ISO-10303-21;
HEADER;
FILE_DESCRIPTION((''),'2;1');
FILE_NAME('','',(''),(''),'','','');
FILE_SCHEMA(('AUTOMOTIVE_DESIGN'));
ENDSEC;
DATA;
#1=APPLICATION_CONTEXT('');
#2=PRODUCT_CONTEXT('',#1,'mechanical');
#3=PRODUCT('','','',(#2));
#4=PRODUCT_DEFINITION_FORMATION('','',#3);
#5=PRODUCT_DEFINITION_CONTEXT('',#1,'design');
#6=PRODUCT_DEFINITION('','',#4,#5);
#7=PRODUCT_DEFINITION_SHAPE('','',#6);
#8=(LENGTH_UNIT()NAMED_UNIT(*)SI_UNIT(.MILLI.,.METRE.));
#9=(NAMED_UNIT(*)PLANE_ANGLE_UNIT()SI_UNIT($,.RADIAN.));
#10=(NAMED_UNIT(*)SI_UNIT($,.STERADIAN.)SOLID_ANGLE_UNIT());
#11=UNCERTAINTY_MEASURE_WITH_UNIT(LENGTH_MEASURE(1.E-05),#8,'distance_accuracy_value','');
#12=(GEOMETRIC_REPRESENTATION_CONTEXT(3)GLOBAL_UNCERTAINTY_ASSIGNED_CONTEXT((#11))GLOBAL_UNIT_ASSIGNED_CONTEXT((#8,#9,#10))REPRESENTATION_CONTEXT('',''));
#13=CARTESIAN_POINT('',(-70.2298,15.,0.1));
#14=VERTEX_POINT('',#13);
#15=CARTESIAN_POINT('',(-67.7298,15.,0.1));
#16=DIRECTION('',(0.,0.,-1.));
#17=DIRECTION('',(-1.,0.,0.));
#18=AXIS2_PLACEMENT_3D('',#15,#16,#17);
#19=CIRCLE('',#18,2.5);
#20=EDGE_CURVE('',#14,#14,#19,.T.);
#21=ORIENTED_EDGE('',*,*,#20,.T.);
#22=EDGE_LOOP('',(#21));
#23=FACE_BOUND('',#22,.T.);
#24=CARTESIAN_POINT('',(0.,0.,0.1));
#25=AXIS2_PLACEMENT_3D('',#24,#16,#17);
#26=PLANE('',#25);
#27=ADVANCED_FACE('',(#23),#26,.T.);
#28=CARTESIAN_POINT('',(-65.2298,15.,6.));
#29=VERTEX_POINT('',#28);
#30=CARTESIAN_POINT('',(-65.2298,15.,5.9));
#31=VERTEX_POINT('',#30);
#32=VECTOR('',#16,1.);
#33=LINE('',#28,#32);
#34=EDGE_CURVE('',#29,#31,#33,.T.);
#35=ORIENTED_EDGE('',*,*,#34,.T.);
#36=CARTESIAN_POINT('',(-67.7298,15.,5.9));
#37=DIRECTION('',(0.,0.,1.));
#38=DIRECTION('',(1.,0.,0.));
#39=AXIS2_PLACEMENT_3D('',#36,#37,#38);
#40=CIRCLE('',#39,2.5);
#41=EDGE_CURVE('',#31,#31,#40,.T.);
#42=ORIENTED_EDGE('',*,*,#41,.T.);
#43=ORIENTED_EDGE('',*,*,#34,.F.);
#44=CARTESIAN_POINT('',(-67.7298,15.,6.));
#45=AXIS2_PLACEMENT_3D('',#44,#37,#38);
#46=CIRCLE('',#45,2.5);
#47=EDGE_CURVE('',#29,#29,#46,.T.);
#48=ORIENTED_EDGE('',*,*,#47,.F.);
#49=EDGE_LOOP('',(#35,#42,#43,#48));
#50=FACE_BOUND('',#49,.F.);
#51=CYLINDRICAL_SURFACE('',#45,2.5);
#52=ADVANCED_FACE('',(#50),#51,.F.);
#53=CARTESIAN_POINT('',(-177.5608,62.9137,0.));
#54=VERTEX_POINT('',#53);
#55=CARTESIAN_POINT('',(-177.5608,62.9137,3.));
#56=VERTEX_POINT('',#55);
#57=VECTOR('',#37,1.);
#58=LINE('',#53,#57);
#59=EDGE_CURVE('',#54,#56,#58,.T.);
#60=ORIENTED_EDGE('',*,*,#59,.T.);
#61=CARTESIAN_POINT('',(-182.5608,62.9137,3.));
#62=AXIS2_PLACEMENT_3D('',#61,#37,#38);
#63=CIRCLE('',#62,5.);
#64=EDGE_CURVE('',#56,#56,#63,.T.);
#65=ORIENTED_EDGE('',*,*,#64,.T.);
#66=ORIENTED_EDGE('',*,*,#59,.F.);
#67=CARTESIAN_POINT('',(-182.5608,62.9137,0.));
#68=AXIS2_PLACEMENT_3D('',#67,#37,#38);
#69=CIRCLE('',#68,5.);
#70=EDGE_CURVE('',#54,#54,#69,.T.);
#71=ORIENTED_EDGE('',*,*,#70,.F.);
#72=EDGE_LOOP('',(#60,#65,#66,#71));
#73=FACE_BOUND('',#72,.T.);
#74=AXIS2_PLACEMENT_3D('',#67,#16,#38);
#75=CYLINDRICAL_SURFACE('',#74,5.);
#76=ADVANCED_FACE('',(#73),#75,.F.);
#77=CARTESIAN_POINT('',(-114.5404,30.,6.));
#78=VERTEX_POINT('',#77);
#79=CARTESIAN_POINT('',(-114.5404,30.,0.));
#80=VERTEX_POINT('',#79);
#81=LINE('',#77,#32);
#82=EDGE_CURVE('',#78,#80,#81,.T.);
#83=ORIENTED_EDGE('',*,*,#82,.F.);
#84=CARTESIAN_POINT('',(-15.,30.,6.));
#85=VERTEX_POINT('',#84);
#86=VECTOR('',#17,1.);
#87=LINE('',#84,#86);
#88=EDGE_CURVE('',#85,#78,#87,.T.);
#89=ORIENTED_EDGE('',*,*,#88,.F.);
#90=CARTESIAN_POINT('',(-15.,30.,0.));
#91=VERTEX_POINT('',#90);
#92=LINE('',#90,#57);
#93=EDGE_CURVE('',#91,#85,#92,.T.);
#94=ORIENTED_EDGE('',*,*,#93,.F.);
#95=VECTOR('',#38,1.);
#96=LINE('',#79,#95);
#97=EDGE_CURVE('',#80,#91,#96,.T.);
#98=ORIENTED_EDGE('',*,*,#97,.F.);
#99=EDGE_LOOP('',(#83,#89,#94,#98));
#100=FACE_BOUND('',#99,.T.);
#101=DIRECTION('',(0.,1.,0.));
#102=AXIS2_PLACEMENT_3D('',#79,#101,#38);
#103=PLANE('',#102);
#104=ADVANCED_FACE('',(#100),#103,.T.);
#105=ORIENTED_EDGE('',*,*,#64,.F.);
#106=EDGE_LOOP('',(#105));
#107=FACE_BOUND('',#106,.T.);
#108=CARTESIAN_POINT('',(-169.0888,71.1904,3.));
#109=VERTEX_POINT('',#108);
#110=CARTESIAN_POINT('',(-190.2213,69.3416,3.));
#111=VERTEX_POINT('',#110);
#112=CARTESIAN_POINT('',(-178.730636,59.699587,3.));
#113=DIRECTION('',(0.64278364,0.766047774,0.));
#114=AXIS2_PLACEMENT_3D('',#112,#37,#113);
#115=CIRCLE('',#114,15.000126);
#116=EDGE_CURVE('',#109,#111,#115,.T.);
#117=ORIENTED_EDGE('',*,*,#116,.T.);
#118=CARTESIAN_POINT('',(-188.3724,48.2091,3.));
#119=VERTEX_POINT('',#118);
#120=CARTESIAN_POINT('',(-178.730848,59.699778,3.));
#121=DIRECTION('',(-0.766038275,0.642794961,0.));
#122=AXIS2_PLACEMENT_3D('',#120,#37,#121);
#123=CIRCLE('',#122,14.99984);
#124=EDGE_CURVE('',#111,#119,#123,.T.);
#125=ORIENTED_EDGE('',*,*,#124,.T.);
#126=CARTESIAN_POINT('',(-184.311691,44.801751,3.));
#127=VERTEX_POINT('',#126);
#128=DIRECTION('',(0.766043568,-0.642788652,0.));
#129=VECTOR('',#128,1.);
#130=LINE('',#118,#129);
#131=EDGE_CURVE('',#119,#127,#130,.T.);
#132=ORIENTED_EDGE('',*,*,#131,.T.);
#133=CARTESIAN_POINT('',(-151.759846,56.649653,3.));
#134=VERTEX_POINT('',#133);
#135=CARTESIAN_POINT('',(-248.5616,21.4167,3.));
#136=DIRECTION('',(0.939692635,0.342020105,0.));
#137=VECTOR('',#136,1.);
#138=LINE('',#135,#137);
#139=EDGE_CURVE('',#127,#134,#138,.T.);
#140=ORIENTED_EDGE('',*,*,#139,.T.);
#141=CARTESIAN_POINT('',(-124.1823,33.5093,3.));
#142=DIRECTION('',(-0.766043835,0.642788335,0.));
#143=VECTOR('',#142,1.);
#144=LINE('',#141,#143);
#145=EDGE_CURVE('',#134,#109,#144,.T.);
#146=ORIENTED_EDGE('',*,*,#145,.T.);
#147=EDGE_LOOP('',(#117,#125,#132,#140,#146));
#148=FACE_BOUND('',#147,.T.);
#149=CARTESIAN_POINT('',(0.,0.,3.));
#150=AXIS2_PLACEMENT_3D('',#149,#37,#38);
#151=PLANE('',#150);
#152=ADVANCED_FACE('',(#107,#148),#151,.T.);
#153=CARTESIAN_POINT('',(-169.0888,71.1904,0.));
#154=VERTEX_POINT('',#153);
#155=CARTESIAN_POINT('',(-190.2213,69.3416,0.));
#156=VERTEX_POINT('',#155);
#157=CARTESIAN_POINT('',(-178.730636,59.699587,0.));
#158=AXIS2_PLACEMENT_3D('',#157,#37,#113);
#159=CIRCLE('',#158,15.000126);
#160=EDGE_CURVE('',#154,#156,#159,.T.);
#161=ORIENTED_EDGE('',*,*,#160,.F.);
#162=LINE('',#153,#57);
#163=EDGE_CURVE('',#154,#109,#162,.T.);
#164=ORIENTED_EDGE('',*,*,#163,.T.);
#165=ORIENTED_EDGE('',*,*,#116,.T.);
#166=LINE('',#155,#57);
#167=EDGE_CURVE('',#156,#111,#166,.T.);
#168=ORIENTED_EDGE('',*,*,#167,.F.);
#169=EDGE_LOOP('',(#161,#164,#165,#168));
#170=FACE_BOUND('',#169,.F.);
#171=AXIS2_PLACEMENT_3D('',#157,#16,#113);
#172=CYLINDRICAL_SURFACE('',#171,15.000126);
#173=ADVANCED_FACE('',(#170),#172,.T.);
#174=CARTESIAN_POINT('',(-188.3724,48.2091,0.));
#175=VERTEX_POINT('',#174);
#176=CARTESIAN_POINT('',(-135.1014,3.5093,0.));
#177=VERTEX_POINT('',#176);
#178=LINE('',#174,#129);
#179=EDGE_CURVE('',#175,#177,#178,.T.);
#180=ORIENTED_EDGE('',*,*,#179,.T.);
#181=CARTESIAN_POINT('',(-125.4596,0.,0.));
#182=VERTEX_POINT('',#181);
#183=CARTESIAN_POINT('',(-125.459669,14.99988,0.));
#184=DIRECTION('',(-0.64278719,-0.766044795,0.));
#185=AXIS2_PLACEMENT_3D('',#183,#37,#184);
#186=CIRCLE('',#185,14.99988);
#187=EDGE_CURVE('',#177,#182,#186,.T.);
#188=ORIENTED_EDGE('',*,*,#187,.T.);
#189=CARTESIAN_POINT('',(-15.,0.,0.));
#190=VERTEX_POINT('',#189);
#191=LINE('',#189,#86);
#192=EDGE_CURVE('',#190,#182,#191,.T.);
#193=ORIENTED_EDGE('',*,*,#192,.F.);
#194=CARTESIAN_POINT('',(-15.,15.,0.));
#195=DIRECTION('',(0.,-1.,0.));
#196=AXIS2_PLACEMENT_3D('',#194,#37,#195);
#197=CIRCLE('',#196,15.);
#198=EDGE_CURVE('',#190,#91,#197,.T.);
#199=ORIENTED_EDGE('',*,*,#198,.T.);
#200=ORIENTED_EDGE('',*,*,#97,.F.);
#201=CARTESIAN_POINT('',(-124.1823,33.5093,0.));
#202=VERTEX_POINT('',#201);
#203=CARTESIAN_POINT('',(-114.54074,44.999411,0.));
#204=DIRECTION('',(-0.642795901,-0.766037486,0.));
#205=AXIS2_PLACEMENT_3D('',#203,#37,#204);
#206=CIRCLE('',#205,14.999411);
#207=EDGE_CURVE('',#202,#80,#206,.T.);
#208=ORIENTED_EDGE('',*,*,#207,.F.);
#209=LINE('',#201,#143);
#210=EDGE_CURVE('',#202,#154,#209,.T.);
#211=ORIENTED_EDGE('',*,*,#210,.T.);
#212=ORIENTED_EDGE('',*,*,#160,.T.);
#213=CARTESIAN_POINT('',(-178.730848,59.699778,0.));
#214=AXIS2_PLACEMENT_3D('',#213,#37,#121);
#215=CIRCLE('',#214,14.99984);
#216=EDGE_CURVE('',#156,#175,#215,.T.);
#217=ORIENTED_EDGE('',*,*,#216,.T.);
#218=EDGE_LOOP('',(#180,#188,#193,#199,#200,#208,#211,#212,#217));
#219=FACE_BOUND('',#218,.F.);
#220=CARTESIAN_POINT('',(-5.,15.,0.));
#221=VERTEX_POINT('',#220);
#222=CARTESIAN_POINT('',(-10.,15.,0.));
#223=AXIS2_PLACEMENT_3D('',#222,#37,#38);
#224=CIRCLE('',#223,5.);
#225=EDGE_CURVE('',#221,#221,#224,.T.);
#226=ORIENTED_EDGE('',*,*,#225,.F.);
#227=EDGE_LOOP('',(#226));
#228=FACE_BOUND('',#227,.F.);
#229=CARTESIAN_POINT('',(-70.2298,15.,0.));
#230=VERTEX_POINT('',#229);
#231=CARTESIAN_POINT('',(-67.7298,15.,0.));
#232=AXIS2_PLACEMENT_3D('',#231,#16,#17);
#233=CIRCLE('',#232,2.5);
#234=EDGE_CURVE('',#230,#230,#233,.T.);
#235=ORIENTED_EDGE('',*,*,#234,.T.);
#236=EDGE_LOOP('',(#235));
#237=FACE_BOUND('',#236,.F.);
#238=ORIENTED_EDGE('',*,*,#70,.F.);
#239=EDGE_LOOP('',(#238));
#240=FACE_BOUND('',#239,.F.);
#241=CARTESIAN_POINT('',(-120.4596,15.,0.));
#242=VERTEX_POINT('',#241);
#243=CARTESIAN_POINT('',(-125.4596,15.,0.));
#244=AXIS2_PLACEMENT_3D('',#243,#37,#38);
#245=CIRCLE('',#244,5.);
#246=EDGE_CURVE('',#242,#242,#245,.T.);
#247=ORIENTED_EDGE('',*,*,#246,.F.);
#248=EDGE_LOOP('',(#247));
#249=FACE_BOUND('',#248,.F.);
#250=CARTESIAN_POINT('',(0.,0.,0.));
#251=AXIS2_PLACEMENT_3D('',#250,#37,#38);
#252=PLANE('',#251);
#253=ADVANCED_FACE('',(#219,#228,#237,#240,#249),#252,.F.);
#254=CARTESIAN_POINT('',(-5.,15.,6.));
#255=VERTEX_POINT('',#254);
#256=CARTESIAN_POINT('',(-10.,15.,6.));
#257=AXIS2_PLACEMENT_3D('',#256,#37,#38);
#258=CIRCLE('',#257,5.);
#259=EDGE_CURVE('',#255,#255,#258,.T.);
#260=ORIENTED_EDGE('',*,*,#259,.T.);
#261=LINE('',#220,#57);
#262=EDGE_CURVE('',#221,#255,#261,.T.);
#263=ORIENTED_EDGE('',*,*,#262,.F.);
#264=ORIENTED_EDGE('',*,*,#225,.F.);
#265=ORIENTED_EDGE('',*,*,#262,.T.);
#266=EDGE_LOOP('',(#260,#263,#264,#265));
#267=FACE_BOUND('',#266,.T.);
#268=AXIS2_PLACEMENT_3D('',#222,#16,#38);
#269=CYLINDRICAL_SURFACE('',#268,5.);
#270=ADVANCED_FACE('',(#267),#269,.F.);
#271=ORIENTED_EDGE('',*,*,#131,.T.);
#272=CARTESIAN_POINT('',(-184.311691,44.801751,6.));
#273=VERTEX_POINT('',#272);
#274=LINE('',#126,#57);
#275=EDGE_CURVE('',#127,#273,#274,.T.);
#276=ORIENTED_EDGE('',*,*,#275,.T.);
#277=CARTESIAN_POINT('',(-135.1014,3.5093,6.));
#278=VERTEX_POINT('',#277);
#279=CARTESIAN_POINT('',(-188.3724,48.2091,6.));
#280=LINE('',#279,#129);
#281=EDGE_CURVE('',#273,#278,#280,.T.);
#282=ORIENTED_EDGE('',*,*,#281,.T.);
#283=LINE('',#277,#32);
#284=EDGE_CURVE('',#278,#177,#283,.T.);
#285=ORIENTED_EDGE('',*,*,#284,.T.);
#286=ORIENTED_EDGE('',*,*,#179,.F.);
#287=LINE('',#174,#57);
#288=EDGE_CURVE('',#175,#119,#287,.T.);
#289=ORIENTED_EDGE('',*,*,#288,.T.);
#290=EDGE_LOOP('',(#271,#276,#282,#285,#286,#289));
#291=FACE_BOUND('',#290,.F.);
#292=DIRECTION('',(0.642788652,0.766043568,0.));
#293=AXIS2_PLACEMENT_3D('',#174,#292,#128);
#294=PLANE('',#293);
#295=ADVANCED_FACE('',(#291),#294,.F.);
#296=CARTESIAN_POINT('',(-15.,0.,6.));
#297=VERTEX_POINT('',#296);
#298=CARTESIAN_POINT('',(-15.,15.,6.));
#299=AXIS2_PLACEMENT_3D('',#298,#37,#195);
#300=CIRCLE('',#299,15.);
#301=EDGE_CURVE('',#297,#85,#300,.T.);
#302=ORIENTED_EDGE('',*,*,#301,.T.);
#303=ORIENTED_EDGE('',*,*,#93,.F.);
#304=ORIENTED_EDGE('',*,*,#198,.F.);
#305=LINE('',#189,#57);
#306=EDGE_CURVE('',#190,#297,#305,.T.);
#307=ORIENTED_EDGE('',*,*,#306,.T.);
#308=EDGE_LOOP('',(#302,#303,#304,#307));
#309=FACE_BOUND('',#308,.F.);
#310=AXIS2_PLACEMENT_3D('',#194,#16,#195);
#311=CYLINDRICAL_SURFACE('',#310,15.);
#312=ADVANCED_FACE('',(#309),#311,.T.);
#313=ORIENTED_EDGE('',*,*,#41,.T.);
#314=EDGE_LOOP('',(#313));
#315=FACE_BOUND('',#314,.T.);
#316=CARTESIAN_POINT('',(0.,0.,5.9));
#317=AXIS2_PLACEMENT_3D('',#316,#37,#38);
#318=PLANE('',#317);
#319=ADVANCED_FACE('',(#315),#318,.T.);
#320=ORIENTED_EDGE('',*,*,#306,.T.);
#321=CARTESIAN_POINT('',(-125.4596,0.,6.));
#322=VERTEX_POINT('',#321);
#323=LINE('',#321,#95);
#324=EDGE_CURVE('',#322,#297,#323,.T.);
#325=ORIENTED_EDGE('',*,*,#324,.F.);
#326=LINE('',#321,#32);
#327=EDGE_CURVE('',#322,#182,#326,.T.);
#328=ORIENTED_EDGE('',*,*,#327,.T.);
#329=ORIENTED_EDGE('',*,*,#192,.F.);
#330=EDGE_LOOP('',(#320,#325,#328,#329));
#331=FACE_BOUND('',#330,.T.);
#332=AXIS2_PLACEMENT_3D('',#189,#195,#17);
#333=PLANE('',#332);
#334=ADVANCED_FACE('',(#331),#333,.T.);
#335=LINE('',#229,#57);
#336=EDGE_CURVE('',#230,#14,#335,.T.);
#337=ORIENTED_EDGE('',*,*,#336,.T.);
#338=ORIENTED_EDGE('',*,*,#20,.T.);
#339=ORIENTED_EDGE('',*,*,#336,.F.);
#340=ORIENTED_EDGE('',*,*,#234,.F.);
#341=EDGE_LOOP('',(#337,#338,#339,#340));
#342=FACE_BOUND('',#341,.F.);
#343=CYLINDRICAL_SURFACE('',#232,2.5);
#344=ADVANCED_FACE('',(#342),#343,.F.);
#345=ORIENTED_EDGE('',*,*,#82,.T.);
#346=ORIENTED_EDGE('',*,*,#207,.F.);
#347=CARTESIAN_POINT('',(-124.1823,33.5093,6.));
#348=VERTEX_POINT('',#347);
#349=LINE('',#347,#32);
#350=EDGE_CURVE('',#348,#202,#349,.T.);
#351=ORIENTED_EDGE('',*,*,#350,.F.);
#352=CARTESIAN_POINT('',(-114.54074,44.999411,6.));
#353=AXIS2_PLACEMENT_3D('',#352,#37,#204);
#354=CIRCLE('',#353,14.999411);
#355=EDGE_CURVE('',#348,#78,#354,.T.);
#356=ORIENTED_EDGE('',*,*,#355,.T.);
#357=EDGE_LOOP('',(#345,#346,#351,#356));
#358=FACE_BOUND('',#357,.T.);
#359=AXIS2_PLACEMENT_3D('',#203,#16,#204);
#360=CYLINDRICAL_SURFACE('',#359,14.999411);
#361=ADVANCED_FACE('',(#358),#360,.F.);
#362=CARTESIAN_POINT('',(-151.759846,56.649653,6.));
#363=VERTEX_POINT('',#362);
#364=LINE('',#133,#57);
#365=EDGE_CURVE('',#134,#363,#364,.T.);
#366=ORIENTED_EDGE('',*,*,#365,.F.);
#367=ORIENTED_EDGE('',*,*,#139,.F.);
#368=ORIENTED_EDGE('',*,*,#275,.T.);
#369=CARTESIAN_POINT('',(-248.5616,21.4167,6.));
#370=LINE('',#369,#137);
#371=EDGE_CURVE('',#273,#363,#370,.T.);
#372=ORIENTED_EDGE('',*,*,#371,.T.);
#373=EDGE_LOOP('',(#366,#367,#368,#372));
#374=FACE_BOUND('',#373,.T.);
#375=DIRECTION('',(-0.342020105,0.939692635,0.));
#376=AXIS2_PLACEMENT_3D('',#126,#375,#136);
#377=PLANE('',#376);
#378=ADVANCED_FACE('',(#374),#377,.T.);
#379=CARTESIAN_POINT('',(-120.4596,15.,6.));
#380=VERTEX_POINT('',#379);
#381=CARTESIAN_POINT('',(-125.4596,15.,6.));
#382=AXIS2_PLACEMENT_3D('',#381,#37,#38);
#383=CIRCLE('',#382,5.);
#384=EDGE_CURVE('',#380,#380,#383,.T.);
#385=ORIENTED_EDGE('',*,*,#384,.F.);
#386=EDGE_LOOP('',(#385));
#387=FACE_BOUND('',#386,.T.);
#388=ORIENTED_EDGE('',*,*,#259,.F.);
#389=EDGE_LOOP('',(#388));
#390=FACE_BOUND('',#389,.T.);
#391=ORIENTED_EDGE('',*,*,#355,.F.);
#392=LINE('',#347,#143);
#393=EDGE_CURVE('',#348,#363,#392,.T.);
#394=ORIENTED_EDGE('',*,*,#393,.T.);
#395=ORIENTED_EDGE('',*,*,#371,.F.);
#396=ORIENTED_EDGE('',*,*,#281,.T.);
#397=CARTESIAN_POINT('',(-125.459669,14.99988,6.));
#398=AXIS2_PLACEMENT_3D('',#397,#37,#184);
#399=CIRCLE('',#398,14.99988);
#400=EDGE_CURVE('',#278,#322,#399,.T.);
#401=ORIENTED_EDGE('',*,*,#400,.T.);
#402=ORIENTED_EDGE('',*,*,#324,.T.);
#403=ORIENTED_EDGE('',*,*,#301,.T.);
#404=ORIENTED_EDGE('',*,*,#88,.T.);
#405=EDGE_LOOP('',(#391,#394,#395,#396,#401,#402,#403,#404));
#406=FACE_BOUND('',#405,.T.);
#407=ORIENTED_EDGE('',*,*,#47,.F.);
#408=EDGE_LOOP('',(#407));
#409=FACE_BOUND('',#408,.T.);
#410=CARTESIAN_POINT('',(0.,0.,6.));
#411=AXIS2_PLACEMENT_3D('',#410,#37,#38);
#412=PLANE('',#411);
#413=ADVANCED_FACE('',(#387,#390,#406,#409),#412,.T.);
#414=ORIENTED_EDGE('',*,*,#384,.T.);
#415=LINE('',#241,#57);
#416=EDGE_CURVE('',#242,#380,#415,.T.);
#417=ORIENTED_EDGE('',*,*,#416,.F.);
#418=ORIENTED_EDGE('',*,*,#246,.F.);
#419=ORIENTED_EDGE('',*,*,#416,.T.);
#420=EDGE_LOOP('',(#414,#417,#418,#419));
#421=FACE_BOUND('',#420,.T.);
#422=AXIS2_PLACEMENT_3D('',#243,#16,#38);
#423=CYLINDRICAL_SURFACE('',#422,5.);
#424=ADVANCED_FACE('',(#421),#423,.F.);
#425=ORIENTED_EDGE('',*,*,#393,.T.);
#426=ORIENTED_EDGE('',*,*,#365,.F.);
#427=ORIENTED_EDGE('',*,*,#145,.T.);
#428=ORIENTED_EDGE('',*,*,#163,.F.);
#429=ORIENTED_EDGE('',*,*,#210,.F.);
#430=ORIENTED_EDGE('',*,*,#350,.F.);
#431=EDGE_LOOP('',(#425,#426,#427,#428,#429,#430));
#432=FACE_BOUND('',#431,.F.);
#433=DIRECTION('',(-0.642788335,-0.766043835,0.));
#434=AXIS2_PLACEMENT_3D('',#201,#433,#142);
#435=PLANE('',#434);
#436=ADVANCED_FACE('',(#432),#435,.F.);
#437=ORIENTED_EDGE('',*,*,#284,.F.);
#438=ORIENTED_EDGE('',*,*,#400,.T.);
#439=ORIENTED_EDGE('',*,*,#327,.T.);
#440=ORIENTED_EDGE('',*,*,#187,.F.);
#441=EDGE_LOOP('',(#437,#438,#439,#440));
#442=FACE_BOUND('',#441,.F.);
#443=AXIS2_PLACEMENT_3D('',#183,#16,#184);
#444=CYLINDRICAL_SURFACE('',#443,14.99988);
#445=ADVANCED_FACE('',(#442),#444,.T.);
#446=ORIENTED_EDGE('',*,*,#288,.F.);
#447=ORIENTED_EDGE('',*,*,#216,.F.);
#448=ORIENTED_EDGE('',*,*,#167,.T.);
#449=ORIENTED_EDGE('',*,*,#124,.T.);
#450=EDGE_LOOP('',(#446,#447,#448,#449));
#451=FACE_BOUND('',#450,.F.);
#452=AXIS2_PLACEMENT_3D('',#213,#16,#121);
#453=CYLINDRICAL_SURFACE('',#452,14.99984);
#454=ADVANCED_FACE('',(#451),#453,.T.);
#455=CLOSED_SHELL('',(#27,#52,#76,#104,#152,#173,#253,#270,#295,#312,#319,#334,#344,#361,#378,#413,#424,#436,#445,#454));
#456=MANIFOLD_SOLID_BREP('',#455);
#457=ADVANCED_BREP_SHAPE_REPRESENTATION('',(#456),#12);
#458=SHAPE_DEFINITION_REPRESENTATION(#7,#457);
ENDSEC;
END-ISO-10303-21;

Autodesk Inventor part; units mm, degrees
ref_plane "YZ Plane" through (0, 0, 0) normal (1, 0, 0) x (0, 1, 0)
ref_plane "XZ Plane" through (0, 0, 0) normal (0, 1, 0) x (-1, 0, 0)
ref_plane "XY Plane" through (0, 0, 0) normal (0, 0, 1) x (1, 0, 0)
sketch "Sketch1" plane through (0, 0, 0) normal (0, 0, 1) x (1, 0, 0)
  line L0 (-15, 0) -> (-125.4596, 0)
  line L1 (-130.9191, 0) -> (-130.9191, 30)
  line L2 (-114.5404, 30) -> (-15, 30)
  line L3 (0, 15) -> (0, 15)
  line L4 (-130.9191, 0) -> (-111.6355, 22.9813)
  line L5 (-111.6355, 22.9813) -> (-120, 30)
  line L6 (-190.2213, 69.3416) -> (-190.2213, 69.3416)
  line L7 (-188.3724, 48.2091) -> (-135.1014, 3.5093)
  line L8 (-124.1823, 33.5093) -> (-169.0888, 71.1904)
  circle A0 centre (-182.5608, 62.9137) radius 5
  circle A1 centre (-10, 15) radius 5
  arc A2 (0, 15) -> (-15, 30) centre (-15, 15) ccw
  arc A3 (-15, 0) -> (0, 15) centre (-15, 15) ccw
  arc A4 (-169.0888, 71.1904) -> (-190.2213, 69.3416) centre (-178.7306, 59.6997) ccw
  arc A5 (-190.2213, 69.3416) -> (-188.3724, 48.2091) centre (-178.7306, 59.6997) ccw
  arc A6 (-124.1823, 33.5093) -> (-114.5404, 30) centre (-114.5404, 45) ccw
  arc A7 (-135.1014, 3.5093) -> (-125.4596, 0) centre (-125.4596, 15) ccw
  line L9 (-15, 15) -> (-82.4661, 15) construction
  line L10 (-178.7306, 59.6997) -> (-70.1019, -31.4506) construction
  circle A8 centre (-125.4596, 15) radius 5
  point P0 (0, 0)
  point P1 (0, 30)
  point P2 (-199.8631, 57.8509)
  point P3 (0, 15)
  point P4 (-190.2213, 69.3416)
  dimension "d0" = 30
  dimension "d2" = 30
  dimension "d3" = 50
  dimension "d4" = 120
  dimension "d5" = 90
  dimension "d6" = 10
  dimension "d7" = 10
  dimension "d8" = 10
  dimension "d9" = 10
  dimension "d10" = 15
  dimension "d13" = 10
  dimension "d14" = 15
  dimension "d15" = 15
extrude "Extrusion1" add sketch "Sketch1" along normal blind 3 contours L0 A7 L7 A5 A4 L8 A6 L2 A2 A3
sketch "Sketch2" plane through (0, 0, 3) normal (0, 0, 1) x (1, 0, 0)
  point P0 (0, 0)
sketch "Sketch3" plane through (0, 0, 3) normal (0, 0, 1) x (1, 0, 0)
  line L0 (-125.4596, 0) -> (-15, 0) projected
  arc A0 (-15, 0) -> (-15, 30) centre (-15, 15) ccw projected
  line L1 (-15, 30) -> (-114.5404, 30) projected
  arc A1 (-124.1823, 33.5093) -> (-114.5404, 30) centre (-114.5404, 45) ccw projected
  line L2 (-124.1823, 33.5093) -> (-169.0888, 71.1904) projected
  arc A2 (-169.0888, 71.1904) -> (-188.3724, 48.2091) centre (-178.7306, 59.6997) ccw projected
  line L3 (-188.3724, 48.2091) -> (-135.1014, 3.5093) projected
  arc A3 (-135.1014, 3.5093) -> (-125.4596, 0) centre (-125.4596, 15) ccw projected
  circle A4 centre (-125.4596, 15) radius 5 projected
  circle A5 centre (-10, 15) radius 5 projected
  circle A6 centre (-182.5608, 62.9137) radius 5 projected
  line L4 (-248.5616, 21.4167) -> (-81.5166, 82.2161)
  line L5 (-124.1823, 33.5093) -> (-169.0888, 71.1904) projected
  point P0 (0, 0)
  point P1 (-151.7599, 56.6497)
  point P2 (-151.7599, 56.6497)
  point P3 (-184.3118, 44.8018)
  dimension "d16" = 60
  dimension "d17" = 36
extrude "Extrusion2" add sketch "Sketch3" along normal blind 3 contours A3 L3 L4 L2 A1 L1 A0 L0
sketch "Sketch4" plane through (0, 0, 0) normal (0, 0, -1) x (-1, 0, 0)
  circle A0 centre (182.5608, 62.9137) radius 5 projected
  point P0 (0, 0)
extrude "Extrusion3" [suppressed]
sketch "Sketch5" plane through (0, 0, 6) normal (0, 0, 1) x (1, 0, 0)
  circle A0 centre (-67.7298, 15) radius 2.5
  circle A1 centre (-10, 15) radius 5 projected
  circle A2 centre (-125.4596, 15) radius 5 projected
  point P0 (0, 0)
  dimension "d22" = 115.4595
  dimension "d23" = 57.7298
  dimension "d28" = 5
extrude "Extrusion4" cut sketch "Sketch5" against normal blind 0.1 contours A0
sketch "Sketch6" plane through (0, 0, 0) normal (0, 0, -1) x (-1, 0, 0)
  circle A0 centre (67.7298, 15) radius 2.5 projected
  point P0 (0, 0)
extrude "Extrusion5" cut sketch "Sketch6" against normal blind 0.1
equation "\"d2\" = d0"
equation "\"d7\" = d6"
equation "\"d8\" = d6"
equation "\"d9\" = d7"
equation "\"d10\" = 0.5 * d0"
equation "\"d13\" = d8"
equation "\"d14\" = 0.5 * d0"
equation "\"d15\" = d14"
equation "\"d17\" = 1.2 * d0"
equation "\"d18\" = d11"
equation "\"d20\" = 4 * d11"
equation "\"d23\" = 0.5 * d22"
equation "\"d11\" = 3"
properties part number "GripP1"
